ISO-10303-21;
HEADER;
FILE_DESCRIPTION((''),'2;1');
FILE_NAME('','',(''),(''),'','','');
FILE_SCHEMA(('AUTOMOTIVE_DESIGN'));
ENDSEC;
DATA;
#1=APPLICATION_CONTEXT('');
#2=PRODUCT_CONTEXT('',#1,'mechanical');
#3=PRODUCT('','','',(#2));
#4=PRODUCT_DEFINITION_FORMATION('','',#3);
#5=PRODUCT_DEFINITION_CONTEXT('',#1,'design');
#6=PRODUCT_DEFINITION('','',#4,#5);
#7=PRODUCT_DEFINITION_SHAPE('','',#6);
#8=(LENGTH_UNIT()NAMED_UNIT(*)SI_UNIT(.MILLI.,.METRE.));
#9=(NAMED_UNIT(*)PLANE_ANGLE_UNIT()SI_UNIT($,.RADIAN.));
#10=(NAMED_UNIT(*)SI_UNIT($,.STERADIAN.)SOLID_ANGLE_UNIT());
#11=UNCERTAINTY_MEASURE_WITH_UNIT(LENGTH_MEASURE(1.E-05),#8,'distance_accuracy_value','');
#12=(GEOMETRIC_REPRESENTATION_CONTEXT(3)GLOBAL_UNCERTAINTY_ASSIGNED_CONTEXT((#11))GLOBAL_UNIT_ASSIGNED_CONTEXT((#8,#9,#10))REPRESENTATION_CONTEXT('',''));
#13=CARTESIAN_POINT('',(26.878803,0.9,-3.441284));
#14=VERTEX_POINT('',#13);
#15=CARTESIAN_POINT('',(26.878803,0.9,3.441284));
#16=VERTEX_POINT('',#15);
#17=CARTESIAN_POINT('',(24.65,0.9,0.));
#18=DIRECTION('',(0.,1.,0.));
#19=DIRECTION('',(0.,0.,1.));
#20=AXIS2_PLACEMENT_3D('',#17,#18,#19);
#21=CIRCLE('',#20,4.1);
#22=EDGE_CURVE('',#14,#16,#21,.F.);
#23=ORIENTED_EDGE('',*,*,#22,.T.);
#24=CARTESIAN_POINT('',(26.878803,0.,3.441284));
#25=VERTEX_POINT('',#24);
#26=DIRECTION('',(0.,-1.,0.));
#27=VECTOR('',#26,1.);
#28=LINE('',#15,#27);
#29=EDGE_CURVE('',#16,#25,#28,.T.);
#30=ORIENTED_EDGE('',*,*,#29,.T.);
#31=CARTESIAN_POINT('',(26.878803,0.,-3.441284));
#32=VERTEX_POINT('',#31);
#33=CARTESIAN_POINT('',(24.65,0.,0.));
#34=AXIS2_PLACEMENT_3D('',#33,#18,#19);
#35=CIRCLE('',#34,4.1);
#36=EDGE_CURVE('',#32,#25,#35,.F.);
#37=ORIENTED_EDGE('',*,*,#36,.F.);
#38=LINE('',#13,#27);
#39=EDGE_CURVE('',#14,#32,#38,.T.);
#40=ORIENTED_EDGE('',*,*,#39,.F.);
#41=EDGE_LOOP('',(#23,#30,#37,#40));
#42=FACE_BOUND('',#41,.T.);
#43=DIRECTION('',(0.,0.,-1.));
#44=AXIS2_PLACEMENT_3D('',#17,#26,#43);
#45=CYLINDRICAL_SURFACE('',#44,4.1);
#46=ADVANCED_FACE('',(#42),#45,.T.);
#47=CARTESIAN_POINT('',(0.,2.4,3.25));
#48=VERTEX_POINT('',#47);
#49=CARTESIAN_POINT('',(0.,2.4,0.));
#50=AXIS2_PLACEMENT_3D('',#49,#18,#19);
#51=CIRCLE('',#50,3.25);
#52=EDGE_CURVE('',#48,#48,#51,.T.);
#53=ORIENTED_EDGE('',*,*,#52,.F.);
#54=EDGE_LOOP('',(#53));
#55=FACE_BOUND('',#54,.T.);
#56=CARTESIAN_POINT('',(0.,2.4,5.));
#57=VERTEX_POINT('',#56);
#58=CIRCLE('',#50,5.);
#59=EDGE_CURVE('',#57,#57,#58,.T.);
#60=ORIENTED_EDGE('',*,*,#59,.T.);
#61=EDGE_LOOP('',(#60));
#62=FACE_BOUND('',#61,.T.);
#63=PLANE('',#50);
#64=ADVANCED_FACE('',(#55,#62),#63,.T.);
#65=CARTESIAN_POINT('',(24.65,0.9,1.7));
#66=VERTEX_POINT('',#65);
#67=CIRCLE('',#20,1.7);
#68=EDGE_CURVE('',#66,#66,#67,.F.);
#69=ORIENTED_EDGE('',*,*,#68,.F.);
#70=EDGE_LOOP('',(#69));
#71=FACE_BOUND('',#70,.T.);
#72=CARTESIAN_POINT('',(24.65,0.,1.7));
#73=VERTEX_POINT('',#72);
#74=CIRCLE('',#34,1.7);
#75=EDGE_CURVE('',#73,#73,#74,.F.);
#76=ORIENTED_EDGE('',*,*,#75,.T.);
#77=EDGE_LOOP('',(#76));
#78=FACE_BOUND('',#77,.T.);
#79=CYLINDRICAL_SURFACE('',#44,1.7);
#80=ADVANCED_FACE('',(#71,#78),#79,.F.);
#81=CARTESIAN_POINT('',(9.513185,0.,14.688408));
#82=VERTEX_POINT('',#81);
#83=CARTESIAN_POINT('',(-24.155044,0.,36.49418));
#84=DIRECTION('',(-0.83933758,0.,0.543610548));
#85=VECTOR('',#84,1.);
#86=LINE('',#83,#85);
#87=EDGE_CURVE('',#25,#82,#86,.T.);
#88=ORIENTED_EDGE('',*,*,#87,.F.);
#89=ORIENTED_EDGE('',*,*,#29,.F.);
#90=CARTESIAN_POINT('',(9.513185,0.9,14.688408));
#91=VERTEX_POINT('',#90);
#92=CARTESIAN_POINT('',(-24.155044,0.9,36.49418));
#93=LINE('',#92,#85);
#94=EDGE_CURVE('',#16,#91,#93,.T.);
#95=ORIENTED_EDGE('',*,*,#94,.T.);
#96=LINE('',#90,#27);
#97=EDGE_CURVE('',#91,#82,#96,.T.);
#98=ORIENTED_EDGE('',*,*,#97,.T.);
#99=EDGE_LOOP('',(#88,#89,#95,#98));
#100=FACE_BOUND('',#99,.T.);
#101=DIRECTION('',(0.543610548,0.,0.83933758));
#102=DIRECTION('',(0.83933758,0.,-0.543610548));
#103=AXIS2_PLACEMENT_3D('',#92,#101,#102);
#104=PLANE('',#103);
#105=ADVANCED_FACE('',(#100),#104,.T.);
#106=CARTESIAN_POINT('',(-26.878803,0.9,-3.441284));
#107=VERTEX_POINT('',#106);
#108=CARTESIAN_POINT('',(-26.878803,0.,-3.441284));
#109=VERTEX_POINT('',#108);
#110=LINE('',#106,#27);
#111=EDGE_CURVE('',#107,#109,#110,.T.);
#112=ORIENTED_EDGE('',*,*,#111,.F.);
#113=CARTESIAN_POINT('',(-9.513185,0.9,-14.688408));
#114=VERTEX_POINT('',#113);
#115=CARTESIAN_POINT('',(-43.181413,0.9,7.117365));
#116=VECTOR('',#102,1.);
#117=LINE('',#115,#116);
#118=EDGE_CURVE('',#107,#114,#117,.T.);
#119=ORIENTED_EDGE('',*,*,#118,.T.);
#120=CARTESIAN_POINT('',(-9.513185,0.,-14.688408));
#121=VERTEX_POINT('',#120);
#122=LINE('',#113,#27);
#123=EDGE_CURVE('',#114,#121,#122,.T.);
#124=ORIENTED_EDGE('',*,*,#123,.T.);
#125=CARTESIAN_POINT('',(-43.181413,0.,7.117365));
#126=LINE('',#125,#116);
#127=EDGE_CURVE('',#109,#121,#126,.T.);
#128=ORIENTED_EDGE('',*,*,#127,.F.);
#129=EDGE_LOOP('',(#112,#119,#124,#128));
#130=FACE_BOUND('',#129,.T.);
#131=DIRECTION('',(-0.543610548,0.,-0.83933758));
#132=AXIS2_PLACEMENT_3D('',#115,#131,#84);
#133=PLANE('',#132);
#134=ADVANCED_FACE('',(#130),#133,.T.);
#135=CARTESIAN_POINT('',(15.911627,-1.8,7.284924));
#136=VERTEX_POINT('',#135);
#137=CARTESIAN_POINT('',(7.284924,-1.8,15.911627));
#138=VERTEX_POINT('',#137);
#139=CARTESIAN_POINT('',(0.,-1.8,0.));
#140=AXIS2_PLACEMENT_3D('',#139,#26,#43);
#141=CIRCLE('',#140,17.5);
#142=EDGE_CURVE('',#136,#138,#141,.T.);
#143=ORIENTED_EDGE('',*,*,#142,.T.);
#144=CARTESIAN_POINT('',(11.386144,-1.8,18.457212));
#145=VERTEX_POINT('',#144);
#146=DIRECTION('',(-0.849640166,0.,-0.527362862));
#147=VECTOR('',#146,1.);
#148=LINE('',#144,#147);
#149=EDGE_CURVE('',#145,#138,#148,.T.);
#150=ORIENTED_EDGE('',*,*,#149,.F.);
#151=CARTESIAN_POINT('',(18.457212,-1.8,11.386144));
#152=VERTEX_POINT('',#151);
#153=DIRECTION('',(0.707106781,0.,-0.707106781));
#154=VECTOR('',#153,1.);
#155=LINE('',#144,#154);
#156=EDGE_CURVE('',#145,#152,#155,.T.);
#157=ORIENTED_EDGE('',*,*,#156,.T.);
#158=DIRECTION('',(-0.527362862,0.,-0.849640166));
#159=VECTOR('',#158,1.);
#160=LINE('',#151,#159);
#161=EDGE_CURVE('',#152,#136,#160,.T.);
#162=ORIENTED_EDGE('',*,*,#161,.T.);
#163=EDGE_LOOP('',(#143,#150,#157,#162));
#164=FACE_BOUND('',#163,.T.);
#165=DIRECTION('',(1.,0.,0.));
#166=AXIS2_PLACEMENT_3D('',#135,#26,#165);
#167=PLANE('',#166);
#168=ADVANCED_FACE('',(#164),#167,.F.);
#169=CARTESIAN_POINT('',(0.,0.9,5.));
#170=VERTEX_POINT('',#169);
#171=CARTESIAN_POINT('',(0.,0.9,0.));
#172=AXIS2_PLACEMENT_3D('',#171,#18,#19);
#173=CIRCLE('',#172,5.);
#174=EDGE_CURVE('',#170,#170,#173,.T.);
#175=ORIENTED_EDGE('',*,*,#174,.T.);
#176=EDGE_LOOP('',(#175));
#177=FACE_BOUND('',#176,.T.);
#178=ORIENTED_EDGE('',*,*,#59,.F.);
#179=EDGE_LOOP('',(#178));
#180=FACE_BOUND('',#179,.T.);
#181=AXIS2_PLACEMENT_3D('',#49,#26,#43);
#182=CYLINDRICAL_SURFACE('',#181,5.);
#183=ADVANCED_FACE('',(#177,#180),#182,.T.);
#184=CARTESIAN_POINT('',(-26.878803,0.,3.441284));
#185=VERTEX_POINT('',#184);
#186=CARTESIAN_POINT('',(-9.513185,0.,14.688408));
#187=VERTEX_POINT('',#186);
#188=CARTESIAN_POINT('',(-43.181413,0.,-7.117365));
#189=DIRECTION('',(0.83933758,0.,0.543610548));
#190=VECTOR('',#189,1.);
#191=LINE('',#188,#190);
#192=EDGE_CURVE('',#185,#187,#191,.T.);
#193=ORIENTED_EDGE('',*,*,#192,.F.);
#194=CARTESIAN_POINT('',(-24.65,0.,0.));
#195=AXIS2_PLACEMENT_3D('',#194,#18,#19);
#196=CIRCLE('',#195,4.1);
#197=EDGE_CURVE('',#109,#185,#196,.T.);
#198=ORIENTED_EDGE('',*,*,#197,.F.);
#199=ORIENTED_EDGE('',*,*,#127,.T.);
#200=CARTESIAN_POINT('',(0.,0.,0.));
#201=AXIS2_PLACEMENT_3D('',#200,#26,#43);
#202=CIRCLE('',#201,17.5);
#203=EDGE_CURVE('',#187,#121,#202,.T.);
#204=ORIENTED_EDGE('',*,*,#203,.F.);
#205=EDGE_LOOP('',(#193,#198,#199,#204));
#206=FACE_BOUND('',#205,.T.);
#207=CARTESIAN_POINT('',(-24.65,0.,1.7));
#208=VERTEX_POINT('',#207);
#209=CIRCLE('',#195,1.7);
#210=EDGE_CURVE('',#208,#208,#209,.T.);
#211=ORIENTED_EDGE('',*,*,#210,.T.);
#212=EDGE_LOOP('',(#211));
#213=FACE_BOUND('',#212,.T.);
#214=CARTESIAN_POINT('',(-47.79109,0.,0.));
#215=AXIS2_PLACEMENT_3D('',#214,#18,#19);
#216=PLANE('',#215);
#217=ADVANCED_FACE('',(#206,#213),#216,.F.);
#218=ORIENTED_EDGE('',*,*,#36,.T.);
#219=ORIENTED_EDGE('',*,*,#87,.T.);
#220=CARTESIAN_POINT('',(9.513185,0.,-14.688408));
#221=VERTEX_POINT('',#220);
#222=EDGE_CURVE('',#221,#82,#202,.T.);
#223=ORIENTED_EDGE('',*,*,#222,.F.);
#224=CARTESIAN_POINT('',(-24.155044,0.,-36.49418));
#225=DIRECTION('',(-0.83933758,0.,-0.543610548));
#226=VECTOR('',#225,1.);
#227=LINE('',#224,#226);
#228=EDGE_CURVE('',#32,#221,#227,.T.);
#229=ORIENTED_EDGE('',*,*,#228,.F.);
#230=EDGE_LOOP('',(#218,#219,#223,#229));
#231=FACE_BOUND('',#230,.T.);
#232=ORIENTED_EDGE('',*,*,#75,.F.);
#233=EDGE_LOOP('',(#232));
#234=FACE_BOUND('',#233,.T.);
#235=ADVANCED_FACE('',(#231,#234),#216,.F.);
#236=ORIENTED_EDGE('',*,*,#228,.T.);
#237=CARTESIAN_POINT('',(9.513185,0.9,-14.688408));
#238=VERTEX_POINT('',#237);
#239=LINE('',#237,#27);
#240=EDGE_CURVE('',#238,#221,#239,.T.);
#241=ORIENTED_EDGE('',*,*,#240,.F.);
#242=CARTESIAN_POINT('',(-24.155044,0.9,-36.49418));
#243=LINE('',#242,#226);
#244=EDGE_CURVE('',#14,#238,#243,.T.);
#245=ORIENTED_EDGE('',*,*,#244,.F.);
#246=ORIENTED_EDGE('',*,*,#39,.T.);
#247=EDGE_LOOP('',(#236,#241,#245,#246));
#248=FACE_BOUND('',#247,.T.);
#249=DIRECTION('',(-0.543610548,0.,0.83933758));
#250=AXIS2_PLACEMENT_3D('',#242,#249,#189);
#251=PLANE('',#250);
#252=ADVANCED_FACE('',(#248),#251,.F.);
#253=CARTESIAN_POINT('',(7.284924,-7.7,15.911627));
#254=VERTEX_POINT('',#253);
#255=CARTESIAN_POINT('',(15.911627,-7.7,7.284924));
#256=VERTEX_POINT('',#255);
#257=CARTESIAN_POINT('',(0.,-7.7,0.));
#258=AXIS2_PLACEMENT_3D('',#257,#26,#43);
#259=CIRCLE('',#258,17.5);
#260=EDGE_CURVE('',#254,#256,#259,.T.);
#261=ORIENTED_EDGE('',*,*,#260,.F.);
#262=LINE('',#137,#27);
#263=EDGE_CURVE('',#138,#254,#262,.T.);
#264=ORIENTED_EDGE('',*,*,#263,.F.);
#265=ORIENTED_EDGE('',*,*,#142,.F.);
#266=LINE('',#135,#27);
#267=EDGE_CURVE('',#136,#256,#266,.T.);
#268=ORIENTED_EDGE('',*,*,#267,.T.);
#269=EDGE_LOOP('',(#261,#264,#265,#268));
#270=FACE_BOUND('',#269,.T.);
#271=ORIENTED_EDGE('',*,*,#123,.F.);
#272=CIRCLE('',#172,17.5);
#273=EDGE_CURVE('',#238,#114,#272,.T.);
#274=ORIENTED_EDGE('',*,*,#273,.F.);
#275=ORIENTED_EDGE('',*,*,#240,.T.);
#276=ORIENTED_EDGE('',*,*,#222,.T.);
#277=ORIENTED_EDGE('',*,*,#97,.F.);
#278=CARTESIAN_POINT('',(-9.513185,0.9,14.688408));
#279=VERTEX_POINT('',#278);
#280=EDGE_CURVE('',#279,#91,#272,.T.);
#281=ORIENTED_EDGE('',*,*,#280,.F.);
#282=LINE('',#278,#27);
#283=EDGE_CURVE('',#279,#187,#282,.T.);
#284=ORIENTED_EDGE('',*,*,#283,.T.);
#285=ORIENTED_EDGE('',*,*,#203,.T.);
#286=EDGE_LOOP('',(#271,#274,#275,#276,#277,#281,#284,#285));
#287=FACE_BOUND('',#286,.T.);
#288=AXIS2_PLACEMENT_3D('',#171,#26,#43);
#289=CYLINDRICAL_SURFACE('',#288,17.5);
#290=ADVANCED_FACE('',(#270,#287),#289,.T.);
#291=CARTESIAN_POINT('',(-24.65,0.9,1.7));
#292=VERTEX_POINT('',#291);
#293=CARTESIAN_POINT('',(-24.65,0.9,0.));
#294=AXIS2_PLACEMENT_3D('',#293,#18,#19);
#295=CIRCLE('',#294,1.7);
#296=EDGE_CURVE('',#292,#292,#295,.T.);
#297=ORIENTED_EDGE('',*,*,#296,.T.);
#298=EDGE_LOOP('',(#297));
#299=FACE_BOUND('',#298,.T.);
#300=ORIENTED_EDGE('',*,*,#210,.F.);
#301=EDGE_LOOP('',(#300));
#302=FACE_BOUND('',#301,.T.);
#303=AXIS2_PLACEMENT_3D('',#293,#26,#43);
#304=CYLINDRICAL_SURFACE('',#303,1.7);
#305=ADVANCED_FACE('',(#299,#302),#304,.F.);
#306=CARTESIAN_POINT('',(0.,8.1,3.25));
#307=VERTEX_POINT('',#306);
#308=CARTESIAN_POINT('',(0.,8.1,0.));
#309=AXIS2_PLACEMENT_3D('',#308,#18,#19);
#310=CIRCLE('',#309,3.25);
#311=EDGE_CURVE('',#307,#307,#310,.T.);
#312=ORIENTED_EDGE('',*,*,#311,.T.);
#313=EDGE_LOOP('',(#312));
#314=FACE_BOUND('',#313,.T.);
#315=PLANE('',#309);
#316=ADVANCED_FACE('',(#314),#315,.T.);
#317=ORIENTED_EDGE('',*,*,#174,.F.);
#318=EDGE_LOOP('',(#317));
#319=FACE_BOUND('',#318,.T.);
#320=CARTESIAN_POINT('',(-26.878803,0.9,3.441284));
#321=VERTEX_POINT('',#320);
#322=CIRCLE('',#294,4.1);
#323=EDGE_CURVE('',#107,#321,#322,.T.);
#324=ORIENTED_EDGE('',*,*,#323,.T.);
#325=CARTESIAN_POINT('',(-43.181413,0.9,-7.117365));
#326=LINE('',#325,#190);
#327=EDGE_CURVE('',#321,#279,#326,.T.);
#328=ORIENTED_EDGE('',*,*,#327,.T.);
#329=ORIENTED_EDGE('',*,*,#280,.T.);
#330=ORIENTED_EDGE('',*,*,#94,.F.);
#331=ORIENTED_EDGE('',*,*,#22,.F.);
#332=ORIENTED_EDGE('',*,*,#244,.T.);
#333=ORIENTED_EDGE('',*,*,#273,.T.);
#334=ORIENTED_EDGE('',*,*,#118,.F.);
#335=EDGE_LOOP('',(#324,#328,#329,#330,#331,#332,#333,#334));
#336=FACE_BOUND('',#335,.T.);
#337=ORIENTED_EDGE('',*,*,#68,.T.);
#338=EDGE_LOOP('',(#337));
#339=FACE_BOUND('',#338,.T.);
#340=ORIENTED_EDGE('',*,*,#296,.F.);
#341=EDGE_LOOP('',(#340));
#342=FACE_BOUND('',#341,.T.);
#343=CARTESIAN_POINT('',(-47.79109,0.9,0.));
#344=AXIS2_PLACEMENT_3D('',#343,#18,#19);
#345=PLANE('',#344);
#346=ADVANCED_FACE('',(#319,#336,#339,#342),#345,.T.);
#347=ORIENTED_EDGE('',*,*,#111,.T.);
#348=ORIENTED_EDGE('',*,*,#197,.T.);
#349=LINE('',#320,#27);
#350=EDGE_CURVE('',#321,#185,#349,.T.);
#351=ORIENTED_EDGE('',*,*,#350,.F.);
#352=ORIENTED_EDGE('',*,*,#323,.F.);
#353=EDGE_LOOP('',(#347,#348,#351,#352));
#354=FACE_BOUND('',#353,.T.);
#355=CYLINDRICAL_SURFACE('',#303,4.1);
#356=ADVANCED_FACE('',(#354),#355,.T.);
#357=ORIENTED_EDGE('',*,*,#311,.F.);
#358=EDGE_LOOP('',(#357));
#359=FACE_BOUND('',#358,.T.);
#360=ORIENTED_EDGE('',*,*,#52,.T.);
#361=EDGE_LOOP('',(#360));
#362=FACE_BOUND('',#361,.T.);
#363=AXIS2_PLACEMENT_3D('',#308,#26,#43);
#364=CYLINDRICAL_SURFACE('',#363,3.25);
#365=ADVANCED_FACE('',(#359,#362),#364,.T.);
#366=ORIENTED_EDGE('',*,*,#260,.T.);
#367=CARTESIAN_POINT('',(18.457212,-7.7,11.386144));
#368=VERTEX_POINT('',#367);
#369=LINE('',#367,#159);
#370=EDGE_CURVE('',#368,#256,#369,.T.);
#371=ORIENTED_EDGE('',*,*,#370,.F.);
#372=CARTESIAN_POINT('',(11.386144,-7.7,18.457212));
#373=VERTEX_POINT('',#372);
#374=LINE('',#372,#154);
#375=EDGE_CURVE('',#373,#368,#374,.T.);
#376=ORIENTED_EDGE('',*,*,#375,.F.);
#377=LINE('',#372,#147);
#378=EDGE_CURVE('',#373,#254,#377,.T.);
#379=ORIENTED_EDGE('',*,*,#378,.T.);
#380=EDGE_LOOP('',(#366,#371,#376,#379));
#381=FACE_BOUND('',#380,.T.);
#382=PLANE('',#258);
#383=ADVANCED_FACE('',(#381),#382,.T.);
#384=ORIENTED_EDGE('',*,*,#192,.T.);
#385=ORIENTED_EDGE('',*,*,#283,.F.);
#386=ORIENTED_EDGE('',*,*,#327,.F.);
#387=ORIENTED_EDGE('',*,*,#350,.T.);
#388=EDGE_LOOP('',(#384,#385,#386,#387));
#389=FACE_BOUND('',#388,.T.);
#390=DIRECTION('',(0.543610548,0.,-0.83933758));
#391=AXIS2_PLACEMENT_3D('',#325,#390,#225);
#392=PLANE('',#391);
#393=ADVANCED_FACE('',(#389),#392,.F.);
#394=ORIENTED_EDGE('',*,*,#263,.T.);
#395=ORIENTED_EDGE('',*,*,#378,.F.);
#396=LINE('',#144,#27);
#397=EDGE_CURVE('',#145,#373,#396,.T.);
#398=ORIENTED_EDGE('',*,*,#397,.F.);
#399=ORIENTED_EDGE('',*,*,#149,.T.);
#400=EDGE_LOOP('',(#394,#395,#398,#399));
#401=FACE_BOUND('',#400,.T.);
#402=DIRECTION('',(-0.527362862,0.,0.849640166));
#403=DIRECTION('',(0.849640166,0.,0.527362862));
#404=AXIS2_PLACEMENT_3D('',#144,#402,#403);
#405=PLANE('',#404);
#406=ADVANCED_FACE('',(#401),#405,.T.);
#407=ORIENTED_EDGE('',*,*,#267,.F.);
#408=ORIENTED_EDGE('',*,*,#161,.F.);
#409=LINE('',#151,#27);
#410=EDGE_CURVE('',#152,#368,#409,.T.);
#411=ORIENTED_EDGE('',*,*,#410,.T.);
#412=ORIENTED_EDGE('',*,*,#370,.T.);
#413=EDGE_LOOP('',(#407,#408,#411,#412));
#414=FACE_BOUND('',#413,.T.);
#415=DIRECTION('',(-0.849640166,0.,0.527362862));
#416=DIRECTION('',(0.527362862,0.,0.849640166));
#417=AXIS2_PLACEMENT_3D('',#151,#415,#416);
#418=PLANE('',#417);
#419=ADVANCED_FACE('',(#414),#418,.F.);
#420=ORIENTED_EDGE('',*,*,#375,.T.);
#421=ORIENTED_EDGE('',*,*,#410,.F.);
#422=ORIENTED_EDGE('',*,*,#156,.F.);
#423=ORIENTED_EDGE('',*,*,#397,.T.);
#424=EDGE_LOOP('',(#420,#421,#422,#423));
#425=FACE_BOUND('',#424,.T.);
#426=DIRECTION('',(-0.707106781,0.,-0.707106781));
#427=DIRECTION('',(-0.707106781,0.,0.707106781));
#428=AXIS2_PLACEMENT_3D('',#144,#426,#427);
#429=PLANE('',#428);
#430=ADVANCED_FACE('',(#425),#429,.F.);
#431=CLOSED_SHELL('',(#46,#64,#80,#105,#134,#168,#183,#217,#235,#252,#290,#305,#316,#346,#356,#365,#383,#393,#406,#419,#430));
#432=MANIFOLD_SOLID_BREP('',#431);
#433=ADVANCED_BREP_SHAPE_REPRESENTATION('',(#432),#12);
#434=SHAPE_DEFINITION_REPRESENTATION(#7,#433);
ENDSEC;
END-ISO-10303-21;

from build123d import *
from build123d.topology import SkipClean

# Parameters (mm, degrees)
SKETCH1_R      = 4.1
SKETCH1_R_2    = 1.7
EXTRUDE1_DEPTH = 0.9
EXTRUDE2_START = 7.7
SKETCH2_R      = 17.5
EXTRUDE2_DEPTH = 7.7
SKETCH3_R      = 5
EXTRUDE3_DEPTH = 1.5
SKETCH4_R      = 3.25
EXTRUDE4_DEPTH = 5.7
EXTRUDE5_DEPTH = 5.9


with BuildPart() as part:
    # Sketch1 → Extrude1 (new body)
    # profile 1 of 8: a face of its own
    with BuildSketch(Plane(origin=(0, 0, 0), x_dir=(1, 0, 0), z_dir=(0, 1, 0))):
        with BuildLine():
            ThreePointArc((-9.513184584, -14.688407642), (-17.5, 0), (-9.513184584, 14.688407642))
            Line((-9.513184584, 14.688407642), (-26.878803245, 3.441284076))
            ThreePointArc((-26.878803245, 3.441284076), (-22.691441002, 3.601950396), (-20.55, 0))
            ThreePointArc((-20.55, 0), (-22.691441002, -3.601950396), (-26.878803245, -3.441284076))
            Line((-26.878803245, -3.441284076), (-9.513184584, -14.688407642))
        make_face()
    # profile 2 of 8: a face of its own
    with BuildSketch(Plane(origin=(0, 0, 0), x_dir=(1, 0, 0), z_dir=(0, 1, 0))):
        with Locations((-24.65, 0)):
            Circle(SKETCH1_R)
        with Locations(Location((-24.65, 0, 0), (0, 0, 270))):
            Circle(SKETCH1_R_2, mode=Mode.SUBTRACT)
    # profile 3 of 8: a face of its own
    with BuildSketch(Plane(origin=(0, 0, 0), x_dir=(1, 0, 0), z_dir=(0, 1, 0))):
        with BuildLine():
            ThreePointArc((9.513184584, 14.688407642), (4.959983178, 16.782388593), (0, 17.5))
            Line((0, 17.5), (0, -17.5))
            ThreePointArc((0, -17.5), (4.959983178, -16.782388593), (9.513184584, -14.688407642))
            ThreePointArc((9.513184584, -14.688407642), (15.374178518, -8.359703038), (17.5, 0))
            ThreePointArc((17.5, 0), (15.374178518, 8.359703038), (9.513184584, 14.688407642))
        make_face()
    # profile 4 of 8: a face of its own
    with BuildSketch(Plane(origin=(0, 0, 0), x_dir=(1, 0, 0), z_dir=(0, 1, 0))):
        with BuildLine():
            Line((0, -17.5), (0, 17.5))
            ThreePointArc((0, 17.5), (-4.959983178, 16.782388593), (-9.513184584, 14.688407642))
            ThreePointArc((-9.513184584, 14.688407642), (-17.5, 0), (-9.513184584, -14.688407642))
            ThreePointArc((-9.513184584, -14.688407642), (-4.959983178, -16.782388593), (0, -17.5))
        make_face()
    # profile 5 of 8: a face of its own
    with BuildSketch(Plane(origin=(0, 0, 0), x_dir=(1, 0, 0), z_dir=(0, 1, 0))):
        with BuildLine():
            ThreePointArc((9.513184584, 14.688407642), (4.959983178, 16.782388593), (0, 17.5))
            Line((0, 17.5), (0, -17.5))
            ThreePointArc((0, -17.5), (4.959983178, -16.782388593), (9.513184584, -14.688407642))
            ThreePointArc((9.513184584, -14.688407642), (15.374178518, -8.359703038), (17.5, 0))
            ThreePointArc((17.5, 0), (15.374178518, 8.359703038), (9.513184584, 14.688407642))
        make_face()
    # profile 6 of 8: a face of its own
    with BuildSketch(Plane(origin=(0, 0, 0), x_dir=(1, 0, 0), z_dir=(0, 1, 0))):
        with BuildLine():
            Line((0, -17.5), (0, 17.5))
            ThreePointArc((0, 17.5), (-4.959983178, 16.782388593), (-9.513184584, 14.688407642))
            ThreePointArc((-9.513184584, 14.688407642), (-17.5, 0), (-9.513184584, -14.688407642))
            ThreePointArc((-9.513184584, -14.688407642), (-4.959983178, -16.782388593), (0, -17.5))
        make_face()
    # profile 7 of 8: a face of its own
    with BuildSketch(Plane(origin=(0, 0, 0), x_dir=(1, 0, 0), z_dir=(0, 1, 0))):
        with BuildLine():
            Line((26.878803245, 3.441284076), (9.513184584, 14.688407642))
            ThreePointArc((9.513184584, 14.688407642), (15.374178518, 8.359703038), (17.5, 0))
            ThreePointArc((17.5, 0), (15.374178518, -8.359703038), (9.513184584, -14.688407642))
            Line((9.513184584, -14.688407642), (26.878803245, -3.441284076))
            ThreePointArc((26.878803245, -3.441284076), (20.55, 0), (26.878803245, 3.441284076))
        make_face()
    # profile 8 of 8: a face of its own
    with BuildSketch(Plane(origin=(0, 0, 0), x_dir=(1, 0, 0), z_dir=(0, 1, 0))):
        with Locations((24.65, 0)):
            Circle(SKETCH1_R)
        with Locations(Location((24.65, 0, 0), (0, 0, 270))):
            Circle(SKETCH1_R_2, mode=Mode.SUBTRACT)
    extrude(amount=EXTRUDE1_DEPTH)

    # Sketch2 → Extrude2 (add)
    with SkipClean():  # the faces are left unmerged after this step: merging them gives an invalid solid
        with BuildSketch(Plane.XZ.offset(EXTRUDE2_START)):
            with Locations(Location((0, 0, 0), (0, 0, 270))):
                Circle(SKETCH2_R)
        extrude(amount=-EXTRUDE2_DEPTH)

    # Sketch3 → Extrude3 (add)
    with SkipClean():  # the faces are left unmerged after this step: merging them gives an invalid solid
        with BuildSketch(Plane(origin=(0, 0.9, 0), x_dir=(1, 0, 0), z_dir=(0, 1, 0))):
            with Locations(Location((0, 0, 0), (0, 0, 270))):
                Circle(SKETCH3_R)
        extrude(amount=EXTRUDE3_DEPTH)

    # Sketch4 → Extrude4 (add)
    with SkipClean():  # the faces are left unmerged after this step: merging them gives an invalid solid
        with BuildSketch(Plane(origin=(0, 2.4, 0), x_dir=(1, 0, 0), z_dir=(0, 1, 0))):
            with Locations(Location((0, 0, 0), (0, 0, 270))):
                Circle(SKETCH4_R)
        extrude(amount=EXTRUDE4_DEPTH)

    # Sketch5 → Extrude5 (add)
    with BuildSketch(Plane.XZ.offset(7.7)):
        Polygon((7.284924369, 15.911627099), (15.911627099, 7.284924369), (18.457211511, 11.3861437), (11.3861437, 18.457211511), align=None)
    extrude(amount=-EXTRUDE5_DEPTH)


solid = part.part
